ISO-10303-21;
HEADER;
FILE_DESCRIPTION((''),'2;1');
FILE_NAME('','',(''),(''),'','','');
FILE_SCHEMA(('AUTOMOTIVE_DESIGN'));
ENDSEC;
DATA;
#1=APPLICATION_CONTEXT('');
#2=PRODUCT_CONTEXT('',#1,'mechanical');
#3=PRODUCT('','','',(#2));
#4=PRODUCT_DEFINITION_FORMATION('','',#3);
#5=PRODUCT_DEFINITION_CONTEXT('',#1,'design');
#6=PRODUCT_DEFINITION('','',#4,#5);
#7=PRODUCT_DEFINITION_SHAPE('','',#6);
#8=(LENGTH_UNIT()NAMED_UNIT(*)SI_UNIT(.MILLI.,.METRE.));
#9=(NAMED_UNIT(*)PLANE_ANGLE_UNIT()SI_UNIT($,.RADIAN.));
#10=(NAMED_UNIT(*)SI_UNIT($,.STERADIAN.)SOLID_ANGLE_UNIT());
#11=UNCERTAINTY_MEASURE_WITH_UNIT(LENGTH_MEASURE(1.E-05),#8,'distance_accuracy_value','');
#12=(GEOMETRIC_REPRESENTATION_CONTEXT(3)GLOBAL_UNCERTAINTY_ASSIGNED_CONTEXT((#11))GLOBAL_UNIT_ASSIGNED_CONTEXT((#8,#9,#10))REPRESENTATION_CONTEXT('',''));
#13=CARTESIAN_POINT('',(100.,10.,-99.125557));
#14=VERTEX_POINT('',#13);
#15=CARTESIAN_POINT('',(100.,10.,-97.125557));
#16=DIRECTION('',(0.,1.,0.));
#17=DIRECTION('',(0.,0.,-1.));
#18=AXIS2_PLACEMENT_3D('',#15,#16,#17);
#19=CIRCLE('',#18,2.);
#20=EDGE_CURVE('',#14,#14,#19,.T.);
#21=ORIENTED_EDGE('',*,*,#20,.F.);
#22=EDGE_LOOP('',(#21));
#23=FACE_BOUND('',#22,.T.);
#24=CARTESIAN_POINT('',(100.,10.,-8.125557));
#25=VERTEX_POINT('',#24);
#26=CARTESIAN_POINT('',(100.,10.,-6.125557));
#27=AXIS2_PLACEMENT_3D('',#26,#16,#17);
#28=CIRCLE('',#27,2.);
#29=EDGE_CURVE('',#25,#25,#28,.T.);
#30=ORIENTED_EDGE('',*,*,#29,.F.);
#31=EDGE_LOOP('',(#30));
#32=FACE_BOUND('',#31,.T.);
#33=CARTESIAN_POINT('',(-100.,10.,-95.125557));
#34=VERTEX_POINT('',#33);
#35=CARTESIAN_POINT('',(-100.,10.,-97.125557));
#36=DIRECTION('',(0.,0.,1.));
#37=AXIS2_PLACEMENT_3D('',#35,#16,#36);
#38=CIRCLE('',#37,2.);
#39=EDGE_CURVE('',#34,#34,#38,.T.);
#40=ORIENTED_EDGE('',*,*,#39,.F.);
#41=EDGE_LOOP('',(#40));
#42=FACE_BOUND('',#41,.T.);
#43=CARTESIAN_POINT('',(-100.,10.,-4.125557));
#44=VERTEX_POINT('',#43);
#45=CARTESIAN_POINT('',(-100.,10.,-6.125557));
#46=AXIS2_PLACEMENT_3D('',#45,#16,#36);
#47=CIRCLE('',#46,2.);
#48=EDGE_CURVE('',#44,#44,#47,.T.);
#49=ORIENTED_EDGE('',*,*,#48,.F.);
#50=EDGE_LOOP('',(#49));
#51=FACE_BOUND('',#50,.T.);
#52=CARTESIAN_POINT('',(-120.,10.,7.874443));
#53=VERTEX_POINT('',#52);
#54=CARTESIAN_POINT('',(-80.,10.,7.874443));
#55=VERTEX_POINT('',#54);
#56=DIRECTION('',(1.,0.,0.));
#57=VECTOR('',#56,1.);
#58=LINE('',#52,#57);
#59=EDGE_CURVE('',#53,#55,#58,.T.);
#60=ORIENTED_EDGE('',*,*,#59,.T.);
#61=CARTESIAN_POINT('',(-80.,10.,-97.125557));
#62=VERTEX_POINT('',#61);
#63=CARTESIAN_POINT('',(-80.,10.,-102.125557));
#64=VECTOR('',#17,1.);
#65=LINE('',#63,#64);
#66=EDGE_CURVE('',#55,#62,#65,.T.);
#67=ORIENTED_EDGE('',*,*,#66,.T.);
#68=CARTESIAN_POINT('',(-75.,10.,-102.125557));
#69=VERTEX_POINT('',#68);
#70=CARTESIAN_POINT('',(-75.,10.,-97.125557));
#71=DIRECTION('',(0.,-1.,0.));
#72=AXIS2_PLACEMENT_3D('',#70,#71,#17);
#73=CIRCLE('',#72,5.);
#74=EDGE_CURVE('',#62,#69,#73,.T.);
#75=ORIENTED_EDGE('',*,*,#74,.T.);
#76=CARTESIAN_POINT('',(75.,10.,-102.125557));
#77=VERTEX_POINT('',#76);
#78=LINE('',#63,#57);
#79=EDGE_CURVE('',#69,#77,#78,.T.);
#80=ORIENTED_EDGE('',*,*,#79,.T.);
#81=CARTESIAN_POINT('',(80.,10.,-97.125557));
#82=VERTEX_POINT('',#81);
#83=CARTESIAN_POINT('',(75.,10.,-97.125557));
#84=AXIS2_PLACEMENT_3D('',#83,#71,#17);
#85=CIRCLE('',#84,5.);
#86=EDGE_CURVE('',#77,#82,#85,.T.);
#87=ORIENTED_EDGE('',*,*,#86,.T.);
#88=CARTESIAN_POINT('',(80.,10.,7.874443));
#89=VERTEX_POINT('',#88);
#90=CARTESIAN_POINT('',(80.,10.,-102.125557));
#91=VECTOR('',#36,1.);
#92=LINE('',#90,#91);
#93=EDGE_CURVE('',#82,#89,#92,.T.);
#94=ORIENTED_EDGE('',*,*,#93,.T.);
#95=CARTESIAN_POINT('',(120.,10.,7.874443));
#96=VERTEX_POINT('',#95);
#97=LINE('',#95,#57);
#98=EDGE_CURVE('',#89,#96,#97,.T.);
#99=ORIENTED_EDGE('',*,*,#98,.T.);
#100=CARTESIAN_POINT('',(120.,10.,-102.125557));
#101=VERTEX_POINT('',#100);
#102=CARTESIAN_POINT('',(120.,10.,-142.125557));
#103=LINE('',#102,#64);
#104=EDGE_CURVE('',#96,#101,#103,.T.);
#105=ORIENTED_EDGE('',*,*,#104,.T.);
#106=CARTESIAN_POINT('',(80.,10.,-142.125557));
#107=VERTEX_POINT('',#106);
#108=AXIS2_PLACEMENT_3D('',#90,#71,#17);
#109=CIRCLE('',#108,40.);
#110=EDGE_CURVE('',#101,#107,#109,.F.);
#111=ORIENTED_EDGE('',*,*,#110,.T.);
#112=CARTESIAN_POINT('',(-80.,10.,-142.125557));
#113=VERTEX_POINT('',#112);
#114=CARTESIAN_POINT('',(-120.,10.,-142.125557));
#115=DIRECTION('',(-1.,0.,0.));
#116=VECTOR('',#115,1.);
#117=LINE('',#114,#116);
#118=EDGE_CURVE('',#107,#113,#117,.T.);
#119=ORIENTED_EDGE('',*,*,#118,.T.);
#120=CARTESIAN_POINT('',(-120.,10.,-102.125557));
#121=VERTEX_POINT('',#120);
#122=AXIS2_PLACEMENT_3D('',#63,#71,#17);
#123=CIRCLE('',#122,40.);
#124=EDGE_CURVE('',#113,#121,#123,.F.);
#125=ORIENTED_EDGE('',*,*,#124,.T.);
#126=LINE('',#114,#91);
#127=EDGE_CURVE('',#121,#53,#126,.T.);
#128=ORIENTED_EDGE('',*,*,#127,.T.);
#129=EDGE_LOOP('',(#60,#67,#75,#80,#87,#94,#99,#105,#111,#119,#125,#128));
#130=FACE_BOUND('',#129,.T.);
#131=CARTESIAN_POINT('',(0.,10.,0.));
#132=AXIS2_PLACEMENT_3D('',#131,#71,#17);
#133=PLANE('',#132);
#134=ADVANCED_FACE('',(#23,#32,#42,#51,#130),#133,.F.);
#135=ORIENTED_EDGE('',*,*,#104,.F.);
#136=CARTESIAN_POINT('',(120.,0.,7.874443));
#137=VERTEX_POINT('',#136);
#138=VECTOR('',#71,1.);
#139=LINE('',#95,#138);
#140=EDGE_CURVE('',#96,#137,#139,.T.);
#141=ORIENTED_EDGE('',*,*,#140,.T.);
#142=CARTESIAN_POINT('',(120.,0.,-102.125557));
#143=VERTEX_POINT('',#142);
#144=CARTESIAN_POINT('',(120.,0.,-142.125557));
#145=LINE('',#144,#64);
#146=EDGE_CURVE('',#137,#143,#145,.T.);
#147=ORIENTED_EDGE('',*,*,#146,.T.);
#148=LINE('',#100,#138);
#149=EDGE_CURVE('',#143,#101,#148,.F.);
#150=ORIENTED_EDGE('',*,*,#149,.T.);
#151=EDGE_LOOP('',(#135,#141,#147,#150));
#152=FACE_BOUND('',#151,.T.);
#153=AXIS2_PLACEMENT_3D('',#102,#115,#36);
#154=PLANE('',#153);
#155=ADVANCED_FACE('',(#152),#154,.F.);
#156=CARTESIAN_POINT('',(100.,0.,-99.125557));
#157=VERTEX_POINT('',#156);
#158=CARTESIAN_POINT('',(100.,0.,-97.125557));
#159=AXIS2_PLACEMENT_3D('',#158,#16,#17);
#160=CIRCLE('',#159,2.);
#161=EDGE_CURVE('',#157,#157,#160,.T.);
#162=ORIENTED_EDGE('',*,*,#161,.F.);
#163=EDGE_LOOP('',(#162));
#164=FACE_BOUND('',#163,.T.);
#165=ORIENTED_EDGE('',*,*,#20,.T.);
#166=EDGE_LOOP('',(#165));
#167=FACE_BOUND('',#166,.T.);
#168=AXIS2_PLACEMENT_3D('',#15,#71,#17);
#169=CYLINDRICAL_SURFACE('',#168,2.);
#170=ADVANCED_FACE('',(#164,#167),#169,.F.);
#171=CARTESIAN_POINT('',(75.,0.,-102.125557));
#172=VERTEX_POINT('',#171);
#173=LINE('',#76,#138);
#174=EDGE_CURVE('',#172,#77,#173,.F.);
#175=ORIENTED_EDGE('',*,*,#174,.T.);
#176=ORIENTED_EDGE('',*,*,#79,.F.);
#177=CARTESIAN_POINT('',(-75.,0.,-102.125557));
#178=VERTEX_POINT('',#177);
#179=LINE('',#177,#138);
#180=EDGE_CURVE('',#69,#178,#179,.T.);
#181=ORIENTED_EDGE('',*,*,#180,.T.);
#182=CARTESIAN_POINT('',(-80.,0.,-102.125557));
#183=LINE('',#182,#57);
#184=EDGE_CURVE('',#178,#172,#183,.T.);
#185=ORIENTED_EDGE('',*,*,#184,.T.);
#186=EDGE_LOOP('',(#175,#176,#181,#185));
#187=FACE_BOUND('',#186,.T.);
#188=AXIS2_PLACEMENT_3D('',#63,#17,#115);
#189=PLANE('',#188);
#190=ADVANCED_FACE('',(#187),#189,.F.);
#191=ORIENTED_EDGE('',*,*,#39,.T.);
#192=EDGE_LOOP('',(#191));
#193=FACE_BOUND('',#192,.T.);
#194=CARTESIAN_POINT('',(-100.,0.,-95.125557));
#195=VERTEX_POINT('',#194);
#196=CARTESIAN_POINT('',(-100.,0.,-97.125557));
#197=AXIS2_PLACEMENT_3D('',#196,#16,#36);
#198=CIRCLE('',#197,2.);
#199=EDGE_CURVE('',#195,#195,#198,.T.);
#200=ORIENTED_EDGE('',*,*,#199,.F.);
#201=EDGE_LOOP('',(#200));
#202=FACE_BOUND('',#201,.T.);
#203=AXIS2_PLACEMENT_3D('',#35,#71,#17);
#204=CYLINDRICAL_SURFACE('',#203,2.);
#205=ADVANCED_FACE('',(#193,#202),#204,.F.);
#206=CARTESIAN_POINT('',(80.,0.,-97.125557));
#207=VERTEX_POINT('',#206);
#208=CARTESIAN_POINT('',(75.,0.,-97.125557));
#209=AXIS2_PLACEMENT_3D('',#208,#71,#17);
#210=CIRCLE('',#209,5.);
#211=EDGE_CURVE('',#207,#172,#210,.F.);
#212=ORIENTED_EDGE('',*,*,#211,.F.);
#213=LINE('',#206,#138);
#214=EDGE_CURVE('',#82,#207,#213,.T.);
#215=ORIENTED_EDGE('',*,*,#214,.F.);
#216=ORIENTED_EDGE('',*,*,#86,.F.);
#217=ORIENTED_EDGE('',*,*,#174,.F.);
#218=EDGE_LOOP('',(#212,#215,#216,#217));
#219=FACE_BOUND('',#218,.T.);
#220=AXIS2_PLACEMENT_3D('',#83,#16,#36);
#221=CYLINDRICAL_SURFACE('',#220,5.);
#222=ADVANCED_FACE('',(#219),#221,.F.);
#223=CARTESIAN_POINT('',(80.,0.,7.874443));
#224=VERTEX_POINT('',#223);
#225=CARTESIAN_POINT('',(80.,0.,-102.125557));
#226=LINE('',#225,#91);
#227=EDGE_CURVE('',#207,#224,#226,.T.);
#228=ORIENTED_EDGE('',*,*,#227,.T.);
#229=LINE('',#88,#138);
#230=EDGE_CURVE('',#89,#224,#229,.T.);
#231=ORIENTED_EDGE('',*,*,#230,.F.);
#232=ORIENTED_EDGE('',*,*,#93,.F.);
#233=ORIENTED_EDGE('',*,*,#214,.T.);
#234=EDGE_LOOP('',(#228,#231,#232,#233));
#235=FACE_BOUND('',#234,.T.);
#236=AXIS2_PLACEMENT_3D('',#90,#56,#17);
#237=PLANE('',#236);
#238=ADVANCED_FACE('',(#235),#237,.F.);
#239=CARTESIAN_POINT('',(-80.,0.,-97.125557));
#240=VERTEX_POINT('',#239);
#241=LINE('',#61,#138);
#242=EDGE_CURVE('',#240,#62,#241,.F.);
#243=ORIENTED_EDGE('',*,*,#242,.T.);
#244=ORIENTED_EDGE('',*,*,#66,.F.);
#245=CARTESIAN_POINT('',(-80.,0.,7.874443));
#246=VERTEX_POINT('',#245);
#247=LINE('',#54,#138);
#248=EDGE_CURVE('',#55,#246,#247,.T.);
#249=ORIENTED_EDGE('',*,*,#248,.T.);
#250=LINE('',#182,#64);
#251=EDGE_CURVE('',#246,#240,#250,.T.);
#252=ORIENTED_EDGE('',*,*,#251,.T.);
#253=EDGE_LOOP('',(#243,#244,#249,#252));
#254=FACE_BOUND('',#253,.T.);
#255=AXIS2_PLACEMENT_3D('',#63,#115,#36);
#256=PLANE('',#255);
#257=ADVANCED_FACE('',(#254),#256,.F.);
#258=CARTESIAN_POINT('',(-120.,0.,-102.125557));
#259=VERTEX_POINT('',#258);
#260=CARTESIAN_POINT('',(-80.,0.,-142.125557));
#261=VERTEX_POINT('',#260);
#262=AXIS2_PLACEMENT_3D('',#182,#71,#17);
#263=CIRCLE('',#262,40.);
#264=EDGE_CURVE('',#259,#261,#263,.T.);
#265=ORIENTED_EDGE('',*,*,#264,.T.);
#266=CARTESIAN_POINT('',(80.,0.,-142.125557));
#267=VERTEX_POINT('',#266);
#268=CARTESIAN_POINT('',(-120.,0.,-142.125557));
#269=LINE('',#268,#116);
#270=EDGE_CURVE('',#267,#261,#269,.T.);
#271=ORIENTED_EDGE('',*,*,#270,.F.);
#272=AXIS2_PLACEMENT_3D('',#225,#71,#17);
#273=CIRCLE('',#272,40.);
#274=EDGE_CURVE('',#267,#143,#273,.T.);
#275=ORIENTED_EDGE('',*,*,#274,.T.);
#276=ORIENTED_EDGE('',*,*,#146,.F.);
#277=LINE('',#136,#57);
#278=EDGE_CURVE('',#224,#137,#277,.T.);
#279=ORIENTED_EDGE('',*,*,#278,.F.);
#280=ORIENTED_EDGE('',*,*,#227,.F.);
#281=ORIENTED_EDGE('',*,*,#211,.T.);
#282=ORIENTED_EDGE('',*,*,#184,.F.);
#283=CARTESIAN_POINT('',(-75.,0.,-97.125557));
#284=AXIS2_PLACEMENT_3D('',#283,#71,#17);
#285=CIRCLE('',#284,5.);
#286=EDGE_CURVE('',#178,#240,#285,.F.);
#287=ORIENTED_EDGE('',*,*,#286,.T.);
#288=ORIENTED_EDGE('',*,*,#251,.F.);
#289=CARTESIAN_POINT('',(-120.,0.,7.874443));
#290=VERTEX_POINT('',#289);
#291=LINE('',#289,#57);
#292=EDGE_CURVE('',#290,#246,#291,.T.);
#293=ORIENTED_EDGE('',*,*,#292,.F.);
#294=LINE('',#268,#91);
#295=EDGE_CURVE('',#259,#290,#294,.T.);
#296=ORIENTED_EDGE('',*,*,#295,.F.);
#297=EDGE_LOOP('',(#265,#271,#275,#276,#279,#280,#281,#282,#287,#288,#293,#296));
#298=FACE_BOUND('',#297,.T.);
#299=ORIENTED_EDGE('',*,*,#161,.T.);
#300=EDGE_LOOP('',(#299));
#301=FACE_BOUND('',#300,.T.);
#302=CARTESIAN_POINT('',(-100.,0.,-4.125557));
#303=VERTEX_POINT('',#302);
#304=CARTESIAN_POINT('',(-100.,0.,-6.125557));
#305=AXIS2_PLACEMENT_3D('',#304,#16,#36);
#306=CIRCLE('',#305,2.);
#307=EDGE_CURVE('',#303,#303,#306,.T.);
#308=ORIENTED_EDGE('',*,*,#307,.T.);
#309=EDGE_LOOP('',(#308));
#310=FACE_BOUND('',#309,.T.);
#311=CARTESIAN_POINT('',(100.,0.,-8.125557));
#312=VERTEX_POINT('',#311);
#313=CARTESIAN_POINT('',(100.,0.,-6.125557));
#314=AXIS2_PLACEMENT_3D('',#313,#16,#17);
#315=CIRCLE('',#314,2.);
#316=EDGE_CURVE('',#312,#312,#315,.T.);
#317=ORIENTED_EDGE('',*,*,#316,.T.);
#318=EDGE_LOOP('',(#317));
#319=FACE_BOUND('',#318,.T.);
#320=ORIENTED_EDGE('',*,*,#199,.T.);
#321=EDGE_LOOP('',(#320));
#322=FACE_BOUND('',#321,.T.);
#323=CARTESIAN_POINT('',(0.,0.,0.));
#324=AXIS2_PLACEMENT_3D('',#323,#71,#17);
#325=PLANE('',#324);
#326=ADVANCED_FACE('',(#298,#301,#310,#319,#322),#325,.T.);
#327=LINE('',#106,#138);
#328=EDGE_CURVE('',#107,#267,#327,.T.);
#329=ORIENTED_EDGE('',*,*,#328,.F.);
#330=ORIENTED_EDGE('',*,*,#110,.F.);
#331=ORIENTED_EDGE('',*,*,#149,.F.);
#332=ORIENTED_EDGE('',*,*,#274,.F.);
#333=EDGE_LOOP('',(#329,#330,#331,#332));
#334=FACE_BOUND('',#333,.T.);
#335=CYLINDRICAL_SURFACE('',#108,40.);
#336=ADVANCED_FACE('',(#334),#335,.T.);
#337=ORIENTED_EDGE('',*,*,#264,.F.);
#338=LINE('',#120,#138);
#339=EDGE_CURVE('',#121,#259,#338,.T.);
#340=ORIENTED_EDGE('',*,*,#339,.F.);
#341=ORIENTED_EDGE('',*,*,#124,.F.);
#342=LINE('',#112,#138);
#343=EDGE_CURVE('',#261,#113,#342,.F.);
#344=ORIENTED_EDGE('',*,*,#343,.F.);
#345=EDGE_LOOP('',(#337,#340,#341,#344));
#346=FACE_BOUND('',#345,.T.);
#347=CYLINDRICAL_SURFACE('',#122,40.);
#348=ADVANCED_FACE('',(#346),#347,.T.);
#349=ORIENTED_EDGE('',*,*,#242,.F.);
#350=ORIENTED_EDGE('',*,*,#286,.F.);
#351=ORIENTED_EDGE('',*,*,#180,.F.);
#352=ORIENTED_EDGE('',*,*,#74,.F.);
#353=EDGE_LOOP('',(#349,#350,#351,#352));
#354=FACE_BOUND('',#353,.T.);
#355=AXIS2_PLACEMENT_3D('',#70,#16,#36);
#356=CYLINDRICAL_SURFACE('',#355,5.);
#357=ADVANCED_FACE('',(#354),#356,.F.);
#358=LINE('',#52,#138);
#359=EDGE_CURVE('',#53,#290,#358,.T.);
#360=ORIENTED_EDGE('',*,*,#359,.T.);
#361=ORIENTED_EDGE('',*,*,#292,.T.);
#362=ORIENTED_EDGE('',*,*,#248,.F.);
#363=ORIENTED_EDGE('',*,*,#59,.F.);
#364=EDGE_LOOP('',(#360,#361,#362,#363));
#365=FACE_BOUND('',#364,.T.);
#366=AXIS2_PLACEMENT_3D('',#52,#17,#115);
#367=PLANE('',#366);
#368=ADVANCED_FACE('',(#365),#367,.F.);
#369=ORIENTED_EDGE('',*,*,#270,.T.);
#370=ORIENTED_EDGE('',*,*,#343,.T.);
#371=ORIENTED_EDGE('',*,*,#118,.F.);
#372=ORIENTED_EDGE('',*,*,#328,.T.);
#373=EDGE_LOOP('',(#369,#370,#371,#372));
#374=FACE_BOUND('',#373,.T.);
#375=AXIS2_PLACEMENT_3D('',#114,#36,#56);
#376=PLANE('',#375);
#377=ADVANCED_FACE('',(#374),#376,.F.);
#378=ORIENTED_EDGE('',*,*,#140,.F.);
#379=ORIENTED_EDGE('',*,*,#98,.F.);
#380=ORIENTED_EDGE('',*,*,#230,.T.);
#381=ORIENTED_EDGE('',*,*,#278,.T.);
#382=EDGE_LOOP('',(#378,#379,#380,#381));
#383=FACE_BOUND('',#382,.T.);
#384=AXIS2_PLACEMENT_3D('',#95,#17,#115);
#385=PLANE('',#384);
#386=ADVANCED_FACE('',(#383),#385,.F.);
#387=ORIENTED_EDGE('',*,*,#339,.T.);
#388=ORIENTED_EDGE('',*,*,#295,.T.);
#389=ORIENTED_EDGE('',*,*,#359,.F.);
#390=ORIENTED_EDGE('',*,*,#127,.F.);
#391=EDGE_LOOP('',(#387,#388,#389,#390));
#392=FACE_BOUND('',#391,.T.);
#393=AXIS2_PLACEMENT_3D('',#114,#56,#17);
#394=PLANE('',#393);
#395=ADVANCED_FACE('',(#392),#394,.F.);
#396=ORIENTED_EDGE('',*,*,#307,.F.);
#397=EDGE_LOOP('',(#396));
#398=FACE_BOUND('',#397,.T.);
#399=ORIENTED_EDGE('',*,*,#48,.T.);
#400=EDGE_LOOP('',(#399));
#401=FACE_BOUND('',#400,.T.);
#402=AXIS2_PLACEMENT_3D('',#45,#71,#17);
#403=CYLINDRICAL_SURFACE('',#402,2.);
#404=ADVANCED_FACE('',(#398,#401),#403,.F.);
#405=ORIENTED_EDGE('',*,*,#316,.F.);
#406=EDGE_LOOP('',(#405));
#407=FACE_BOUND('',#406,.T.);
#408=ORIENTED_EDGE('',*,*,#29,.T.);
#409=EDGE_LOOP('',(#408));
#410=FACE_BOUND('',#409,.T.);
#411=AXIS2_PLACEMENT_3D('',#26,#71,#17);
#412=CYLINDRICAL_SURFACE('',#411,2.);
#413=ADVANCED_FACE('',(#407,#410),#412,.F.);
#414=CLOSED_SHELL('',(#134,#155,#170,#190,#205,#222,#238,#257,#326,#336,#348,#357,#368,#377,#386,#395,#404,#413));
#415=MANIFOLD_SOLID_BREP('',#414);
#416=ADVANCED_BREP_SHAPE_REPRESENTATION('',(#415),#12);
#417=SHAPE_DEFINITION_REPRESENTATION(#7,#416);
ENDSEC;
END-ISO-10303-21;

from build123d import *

# Parameters (mm, degrees)
SKETCH_1_R      = 2
EXTRUDE_1_DEPTH = 10
FILLET_1_R      = 40
FILLET_2_R      = 5


with BuildPart() as part:
    # 草图1 → 凸台-拉伸1 (new body)
    with BuildSketch(Plane(origin=(0, 0, 0), x_dir=(1, 0, 0), z_dir=(0, 1, 0))):
        Polygon((-120, 142.125556732), (-120, -7.874443268), (-80, -7.874443268), (-80, 102.125556732), (80, 102.125556732), (80, -7.874443268), (120, -7.874443268), (120, 142.125556732), align=None)
        with Locations(Location((-100, 97.125556732, 0), (0, 0, 270))):
            Circle(SKETCH_1_R, mode=Mode.SUBTRACT)
        with Locations(Location((100, 97.125556732, 0), (0, 0, 90))):
            Circle(SKETCH_1_R, mode=Mode.SUBTRACT)
        with Locations(Location((-100, 6.125556732, 0), (0, 0, 270))):
            Circle(SKETCH_1_R, mode=Mode.SUBTRACT)
        with Locations(Location((100, 6.125556732, 0), (0, 0, 90))):
            Circle(SKETCH_1_R, mode=Mode.SUBTRACT)
    extrude(amount=EXTRUDE_1_DEPTH)

    # 圆角1
    fillet_1_edges = [part.edges().sort_by_distance(p)[0] for p in [
        (-120, 5, -142.125556732),
        (120, 5, -142.125556732),
    ]]
    fillet(fillet_1_edges, radius=FILLET_1_R)

    # 圆角2
    fillet_2_edges = [part.edges().sort_by_distance(p)[0] for p in [
        (80, 5, -102.125556732),
        (-80, 5, -102.125556732),
    ]]
    fillet(fillet_2_edges, radius=FILLET_2_R)


solid = part.part
